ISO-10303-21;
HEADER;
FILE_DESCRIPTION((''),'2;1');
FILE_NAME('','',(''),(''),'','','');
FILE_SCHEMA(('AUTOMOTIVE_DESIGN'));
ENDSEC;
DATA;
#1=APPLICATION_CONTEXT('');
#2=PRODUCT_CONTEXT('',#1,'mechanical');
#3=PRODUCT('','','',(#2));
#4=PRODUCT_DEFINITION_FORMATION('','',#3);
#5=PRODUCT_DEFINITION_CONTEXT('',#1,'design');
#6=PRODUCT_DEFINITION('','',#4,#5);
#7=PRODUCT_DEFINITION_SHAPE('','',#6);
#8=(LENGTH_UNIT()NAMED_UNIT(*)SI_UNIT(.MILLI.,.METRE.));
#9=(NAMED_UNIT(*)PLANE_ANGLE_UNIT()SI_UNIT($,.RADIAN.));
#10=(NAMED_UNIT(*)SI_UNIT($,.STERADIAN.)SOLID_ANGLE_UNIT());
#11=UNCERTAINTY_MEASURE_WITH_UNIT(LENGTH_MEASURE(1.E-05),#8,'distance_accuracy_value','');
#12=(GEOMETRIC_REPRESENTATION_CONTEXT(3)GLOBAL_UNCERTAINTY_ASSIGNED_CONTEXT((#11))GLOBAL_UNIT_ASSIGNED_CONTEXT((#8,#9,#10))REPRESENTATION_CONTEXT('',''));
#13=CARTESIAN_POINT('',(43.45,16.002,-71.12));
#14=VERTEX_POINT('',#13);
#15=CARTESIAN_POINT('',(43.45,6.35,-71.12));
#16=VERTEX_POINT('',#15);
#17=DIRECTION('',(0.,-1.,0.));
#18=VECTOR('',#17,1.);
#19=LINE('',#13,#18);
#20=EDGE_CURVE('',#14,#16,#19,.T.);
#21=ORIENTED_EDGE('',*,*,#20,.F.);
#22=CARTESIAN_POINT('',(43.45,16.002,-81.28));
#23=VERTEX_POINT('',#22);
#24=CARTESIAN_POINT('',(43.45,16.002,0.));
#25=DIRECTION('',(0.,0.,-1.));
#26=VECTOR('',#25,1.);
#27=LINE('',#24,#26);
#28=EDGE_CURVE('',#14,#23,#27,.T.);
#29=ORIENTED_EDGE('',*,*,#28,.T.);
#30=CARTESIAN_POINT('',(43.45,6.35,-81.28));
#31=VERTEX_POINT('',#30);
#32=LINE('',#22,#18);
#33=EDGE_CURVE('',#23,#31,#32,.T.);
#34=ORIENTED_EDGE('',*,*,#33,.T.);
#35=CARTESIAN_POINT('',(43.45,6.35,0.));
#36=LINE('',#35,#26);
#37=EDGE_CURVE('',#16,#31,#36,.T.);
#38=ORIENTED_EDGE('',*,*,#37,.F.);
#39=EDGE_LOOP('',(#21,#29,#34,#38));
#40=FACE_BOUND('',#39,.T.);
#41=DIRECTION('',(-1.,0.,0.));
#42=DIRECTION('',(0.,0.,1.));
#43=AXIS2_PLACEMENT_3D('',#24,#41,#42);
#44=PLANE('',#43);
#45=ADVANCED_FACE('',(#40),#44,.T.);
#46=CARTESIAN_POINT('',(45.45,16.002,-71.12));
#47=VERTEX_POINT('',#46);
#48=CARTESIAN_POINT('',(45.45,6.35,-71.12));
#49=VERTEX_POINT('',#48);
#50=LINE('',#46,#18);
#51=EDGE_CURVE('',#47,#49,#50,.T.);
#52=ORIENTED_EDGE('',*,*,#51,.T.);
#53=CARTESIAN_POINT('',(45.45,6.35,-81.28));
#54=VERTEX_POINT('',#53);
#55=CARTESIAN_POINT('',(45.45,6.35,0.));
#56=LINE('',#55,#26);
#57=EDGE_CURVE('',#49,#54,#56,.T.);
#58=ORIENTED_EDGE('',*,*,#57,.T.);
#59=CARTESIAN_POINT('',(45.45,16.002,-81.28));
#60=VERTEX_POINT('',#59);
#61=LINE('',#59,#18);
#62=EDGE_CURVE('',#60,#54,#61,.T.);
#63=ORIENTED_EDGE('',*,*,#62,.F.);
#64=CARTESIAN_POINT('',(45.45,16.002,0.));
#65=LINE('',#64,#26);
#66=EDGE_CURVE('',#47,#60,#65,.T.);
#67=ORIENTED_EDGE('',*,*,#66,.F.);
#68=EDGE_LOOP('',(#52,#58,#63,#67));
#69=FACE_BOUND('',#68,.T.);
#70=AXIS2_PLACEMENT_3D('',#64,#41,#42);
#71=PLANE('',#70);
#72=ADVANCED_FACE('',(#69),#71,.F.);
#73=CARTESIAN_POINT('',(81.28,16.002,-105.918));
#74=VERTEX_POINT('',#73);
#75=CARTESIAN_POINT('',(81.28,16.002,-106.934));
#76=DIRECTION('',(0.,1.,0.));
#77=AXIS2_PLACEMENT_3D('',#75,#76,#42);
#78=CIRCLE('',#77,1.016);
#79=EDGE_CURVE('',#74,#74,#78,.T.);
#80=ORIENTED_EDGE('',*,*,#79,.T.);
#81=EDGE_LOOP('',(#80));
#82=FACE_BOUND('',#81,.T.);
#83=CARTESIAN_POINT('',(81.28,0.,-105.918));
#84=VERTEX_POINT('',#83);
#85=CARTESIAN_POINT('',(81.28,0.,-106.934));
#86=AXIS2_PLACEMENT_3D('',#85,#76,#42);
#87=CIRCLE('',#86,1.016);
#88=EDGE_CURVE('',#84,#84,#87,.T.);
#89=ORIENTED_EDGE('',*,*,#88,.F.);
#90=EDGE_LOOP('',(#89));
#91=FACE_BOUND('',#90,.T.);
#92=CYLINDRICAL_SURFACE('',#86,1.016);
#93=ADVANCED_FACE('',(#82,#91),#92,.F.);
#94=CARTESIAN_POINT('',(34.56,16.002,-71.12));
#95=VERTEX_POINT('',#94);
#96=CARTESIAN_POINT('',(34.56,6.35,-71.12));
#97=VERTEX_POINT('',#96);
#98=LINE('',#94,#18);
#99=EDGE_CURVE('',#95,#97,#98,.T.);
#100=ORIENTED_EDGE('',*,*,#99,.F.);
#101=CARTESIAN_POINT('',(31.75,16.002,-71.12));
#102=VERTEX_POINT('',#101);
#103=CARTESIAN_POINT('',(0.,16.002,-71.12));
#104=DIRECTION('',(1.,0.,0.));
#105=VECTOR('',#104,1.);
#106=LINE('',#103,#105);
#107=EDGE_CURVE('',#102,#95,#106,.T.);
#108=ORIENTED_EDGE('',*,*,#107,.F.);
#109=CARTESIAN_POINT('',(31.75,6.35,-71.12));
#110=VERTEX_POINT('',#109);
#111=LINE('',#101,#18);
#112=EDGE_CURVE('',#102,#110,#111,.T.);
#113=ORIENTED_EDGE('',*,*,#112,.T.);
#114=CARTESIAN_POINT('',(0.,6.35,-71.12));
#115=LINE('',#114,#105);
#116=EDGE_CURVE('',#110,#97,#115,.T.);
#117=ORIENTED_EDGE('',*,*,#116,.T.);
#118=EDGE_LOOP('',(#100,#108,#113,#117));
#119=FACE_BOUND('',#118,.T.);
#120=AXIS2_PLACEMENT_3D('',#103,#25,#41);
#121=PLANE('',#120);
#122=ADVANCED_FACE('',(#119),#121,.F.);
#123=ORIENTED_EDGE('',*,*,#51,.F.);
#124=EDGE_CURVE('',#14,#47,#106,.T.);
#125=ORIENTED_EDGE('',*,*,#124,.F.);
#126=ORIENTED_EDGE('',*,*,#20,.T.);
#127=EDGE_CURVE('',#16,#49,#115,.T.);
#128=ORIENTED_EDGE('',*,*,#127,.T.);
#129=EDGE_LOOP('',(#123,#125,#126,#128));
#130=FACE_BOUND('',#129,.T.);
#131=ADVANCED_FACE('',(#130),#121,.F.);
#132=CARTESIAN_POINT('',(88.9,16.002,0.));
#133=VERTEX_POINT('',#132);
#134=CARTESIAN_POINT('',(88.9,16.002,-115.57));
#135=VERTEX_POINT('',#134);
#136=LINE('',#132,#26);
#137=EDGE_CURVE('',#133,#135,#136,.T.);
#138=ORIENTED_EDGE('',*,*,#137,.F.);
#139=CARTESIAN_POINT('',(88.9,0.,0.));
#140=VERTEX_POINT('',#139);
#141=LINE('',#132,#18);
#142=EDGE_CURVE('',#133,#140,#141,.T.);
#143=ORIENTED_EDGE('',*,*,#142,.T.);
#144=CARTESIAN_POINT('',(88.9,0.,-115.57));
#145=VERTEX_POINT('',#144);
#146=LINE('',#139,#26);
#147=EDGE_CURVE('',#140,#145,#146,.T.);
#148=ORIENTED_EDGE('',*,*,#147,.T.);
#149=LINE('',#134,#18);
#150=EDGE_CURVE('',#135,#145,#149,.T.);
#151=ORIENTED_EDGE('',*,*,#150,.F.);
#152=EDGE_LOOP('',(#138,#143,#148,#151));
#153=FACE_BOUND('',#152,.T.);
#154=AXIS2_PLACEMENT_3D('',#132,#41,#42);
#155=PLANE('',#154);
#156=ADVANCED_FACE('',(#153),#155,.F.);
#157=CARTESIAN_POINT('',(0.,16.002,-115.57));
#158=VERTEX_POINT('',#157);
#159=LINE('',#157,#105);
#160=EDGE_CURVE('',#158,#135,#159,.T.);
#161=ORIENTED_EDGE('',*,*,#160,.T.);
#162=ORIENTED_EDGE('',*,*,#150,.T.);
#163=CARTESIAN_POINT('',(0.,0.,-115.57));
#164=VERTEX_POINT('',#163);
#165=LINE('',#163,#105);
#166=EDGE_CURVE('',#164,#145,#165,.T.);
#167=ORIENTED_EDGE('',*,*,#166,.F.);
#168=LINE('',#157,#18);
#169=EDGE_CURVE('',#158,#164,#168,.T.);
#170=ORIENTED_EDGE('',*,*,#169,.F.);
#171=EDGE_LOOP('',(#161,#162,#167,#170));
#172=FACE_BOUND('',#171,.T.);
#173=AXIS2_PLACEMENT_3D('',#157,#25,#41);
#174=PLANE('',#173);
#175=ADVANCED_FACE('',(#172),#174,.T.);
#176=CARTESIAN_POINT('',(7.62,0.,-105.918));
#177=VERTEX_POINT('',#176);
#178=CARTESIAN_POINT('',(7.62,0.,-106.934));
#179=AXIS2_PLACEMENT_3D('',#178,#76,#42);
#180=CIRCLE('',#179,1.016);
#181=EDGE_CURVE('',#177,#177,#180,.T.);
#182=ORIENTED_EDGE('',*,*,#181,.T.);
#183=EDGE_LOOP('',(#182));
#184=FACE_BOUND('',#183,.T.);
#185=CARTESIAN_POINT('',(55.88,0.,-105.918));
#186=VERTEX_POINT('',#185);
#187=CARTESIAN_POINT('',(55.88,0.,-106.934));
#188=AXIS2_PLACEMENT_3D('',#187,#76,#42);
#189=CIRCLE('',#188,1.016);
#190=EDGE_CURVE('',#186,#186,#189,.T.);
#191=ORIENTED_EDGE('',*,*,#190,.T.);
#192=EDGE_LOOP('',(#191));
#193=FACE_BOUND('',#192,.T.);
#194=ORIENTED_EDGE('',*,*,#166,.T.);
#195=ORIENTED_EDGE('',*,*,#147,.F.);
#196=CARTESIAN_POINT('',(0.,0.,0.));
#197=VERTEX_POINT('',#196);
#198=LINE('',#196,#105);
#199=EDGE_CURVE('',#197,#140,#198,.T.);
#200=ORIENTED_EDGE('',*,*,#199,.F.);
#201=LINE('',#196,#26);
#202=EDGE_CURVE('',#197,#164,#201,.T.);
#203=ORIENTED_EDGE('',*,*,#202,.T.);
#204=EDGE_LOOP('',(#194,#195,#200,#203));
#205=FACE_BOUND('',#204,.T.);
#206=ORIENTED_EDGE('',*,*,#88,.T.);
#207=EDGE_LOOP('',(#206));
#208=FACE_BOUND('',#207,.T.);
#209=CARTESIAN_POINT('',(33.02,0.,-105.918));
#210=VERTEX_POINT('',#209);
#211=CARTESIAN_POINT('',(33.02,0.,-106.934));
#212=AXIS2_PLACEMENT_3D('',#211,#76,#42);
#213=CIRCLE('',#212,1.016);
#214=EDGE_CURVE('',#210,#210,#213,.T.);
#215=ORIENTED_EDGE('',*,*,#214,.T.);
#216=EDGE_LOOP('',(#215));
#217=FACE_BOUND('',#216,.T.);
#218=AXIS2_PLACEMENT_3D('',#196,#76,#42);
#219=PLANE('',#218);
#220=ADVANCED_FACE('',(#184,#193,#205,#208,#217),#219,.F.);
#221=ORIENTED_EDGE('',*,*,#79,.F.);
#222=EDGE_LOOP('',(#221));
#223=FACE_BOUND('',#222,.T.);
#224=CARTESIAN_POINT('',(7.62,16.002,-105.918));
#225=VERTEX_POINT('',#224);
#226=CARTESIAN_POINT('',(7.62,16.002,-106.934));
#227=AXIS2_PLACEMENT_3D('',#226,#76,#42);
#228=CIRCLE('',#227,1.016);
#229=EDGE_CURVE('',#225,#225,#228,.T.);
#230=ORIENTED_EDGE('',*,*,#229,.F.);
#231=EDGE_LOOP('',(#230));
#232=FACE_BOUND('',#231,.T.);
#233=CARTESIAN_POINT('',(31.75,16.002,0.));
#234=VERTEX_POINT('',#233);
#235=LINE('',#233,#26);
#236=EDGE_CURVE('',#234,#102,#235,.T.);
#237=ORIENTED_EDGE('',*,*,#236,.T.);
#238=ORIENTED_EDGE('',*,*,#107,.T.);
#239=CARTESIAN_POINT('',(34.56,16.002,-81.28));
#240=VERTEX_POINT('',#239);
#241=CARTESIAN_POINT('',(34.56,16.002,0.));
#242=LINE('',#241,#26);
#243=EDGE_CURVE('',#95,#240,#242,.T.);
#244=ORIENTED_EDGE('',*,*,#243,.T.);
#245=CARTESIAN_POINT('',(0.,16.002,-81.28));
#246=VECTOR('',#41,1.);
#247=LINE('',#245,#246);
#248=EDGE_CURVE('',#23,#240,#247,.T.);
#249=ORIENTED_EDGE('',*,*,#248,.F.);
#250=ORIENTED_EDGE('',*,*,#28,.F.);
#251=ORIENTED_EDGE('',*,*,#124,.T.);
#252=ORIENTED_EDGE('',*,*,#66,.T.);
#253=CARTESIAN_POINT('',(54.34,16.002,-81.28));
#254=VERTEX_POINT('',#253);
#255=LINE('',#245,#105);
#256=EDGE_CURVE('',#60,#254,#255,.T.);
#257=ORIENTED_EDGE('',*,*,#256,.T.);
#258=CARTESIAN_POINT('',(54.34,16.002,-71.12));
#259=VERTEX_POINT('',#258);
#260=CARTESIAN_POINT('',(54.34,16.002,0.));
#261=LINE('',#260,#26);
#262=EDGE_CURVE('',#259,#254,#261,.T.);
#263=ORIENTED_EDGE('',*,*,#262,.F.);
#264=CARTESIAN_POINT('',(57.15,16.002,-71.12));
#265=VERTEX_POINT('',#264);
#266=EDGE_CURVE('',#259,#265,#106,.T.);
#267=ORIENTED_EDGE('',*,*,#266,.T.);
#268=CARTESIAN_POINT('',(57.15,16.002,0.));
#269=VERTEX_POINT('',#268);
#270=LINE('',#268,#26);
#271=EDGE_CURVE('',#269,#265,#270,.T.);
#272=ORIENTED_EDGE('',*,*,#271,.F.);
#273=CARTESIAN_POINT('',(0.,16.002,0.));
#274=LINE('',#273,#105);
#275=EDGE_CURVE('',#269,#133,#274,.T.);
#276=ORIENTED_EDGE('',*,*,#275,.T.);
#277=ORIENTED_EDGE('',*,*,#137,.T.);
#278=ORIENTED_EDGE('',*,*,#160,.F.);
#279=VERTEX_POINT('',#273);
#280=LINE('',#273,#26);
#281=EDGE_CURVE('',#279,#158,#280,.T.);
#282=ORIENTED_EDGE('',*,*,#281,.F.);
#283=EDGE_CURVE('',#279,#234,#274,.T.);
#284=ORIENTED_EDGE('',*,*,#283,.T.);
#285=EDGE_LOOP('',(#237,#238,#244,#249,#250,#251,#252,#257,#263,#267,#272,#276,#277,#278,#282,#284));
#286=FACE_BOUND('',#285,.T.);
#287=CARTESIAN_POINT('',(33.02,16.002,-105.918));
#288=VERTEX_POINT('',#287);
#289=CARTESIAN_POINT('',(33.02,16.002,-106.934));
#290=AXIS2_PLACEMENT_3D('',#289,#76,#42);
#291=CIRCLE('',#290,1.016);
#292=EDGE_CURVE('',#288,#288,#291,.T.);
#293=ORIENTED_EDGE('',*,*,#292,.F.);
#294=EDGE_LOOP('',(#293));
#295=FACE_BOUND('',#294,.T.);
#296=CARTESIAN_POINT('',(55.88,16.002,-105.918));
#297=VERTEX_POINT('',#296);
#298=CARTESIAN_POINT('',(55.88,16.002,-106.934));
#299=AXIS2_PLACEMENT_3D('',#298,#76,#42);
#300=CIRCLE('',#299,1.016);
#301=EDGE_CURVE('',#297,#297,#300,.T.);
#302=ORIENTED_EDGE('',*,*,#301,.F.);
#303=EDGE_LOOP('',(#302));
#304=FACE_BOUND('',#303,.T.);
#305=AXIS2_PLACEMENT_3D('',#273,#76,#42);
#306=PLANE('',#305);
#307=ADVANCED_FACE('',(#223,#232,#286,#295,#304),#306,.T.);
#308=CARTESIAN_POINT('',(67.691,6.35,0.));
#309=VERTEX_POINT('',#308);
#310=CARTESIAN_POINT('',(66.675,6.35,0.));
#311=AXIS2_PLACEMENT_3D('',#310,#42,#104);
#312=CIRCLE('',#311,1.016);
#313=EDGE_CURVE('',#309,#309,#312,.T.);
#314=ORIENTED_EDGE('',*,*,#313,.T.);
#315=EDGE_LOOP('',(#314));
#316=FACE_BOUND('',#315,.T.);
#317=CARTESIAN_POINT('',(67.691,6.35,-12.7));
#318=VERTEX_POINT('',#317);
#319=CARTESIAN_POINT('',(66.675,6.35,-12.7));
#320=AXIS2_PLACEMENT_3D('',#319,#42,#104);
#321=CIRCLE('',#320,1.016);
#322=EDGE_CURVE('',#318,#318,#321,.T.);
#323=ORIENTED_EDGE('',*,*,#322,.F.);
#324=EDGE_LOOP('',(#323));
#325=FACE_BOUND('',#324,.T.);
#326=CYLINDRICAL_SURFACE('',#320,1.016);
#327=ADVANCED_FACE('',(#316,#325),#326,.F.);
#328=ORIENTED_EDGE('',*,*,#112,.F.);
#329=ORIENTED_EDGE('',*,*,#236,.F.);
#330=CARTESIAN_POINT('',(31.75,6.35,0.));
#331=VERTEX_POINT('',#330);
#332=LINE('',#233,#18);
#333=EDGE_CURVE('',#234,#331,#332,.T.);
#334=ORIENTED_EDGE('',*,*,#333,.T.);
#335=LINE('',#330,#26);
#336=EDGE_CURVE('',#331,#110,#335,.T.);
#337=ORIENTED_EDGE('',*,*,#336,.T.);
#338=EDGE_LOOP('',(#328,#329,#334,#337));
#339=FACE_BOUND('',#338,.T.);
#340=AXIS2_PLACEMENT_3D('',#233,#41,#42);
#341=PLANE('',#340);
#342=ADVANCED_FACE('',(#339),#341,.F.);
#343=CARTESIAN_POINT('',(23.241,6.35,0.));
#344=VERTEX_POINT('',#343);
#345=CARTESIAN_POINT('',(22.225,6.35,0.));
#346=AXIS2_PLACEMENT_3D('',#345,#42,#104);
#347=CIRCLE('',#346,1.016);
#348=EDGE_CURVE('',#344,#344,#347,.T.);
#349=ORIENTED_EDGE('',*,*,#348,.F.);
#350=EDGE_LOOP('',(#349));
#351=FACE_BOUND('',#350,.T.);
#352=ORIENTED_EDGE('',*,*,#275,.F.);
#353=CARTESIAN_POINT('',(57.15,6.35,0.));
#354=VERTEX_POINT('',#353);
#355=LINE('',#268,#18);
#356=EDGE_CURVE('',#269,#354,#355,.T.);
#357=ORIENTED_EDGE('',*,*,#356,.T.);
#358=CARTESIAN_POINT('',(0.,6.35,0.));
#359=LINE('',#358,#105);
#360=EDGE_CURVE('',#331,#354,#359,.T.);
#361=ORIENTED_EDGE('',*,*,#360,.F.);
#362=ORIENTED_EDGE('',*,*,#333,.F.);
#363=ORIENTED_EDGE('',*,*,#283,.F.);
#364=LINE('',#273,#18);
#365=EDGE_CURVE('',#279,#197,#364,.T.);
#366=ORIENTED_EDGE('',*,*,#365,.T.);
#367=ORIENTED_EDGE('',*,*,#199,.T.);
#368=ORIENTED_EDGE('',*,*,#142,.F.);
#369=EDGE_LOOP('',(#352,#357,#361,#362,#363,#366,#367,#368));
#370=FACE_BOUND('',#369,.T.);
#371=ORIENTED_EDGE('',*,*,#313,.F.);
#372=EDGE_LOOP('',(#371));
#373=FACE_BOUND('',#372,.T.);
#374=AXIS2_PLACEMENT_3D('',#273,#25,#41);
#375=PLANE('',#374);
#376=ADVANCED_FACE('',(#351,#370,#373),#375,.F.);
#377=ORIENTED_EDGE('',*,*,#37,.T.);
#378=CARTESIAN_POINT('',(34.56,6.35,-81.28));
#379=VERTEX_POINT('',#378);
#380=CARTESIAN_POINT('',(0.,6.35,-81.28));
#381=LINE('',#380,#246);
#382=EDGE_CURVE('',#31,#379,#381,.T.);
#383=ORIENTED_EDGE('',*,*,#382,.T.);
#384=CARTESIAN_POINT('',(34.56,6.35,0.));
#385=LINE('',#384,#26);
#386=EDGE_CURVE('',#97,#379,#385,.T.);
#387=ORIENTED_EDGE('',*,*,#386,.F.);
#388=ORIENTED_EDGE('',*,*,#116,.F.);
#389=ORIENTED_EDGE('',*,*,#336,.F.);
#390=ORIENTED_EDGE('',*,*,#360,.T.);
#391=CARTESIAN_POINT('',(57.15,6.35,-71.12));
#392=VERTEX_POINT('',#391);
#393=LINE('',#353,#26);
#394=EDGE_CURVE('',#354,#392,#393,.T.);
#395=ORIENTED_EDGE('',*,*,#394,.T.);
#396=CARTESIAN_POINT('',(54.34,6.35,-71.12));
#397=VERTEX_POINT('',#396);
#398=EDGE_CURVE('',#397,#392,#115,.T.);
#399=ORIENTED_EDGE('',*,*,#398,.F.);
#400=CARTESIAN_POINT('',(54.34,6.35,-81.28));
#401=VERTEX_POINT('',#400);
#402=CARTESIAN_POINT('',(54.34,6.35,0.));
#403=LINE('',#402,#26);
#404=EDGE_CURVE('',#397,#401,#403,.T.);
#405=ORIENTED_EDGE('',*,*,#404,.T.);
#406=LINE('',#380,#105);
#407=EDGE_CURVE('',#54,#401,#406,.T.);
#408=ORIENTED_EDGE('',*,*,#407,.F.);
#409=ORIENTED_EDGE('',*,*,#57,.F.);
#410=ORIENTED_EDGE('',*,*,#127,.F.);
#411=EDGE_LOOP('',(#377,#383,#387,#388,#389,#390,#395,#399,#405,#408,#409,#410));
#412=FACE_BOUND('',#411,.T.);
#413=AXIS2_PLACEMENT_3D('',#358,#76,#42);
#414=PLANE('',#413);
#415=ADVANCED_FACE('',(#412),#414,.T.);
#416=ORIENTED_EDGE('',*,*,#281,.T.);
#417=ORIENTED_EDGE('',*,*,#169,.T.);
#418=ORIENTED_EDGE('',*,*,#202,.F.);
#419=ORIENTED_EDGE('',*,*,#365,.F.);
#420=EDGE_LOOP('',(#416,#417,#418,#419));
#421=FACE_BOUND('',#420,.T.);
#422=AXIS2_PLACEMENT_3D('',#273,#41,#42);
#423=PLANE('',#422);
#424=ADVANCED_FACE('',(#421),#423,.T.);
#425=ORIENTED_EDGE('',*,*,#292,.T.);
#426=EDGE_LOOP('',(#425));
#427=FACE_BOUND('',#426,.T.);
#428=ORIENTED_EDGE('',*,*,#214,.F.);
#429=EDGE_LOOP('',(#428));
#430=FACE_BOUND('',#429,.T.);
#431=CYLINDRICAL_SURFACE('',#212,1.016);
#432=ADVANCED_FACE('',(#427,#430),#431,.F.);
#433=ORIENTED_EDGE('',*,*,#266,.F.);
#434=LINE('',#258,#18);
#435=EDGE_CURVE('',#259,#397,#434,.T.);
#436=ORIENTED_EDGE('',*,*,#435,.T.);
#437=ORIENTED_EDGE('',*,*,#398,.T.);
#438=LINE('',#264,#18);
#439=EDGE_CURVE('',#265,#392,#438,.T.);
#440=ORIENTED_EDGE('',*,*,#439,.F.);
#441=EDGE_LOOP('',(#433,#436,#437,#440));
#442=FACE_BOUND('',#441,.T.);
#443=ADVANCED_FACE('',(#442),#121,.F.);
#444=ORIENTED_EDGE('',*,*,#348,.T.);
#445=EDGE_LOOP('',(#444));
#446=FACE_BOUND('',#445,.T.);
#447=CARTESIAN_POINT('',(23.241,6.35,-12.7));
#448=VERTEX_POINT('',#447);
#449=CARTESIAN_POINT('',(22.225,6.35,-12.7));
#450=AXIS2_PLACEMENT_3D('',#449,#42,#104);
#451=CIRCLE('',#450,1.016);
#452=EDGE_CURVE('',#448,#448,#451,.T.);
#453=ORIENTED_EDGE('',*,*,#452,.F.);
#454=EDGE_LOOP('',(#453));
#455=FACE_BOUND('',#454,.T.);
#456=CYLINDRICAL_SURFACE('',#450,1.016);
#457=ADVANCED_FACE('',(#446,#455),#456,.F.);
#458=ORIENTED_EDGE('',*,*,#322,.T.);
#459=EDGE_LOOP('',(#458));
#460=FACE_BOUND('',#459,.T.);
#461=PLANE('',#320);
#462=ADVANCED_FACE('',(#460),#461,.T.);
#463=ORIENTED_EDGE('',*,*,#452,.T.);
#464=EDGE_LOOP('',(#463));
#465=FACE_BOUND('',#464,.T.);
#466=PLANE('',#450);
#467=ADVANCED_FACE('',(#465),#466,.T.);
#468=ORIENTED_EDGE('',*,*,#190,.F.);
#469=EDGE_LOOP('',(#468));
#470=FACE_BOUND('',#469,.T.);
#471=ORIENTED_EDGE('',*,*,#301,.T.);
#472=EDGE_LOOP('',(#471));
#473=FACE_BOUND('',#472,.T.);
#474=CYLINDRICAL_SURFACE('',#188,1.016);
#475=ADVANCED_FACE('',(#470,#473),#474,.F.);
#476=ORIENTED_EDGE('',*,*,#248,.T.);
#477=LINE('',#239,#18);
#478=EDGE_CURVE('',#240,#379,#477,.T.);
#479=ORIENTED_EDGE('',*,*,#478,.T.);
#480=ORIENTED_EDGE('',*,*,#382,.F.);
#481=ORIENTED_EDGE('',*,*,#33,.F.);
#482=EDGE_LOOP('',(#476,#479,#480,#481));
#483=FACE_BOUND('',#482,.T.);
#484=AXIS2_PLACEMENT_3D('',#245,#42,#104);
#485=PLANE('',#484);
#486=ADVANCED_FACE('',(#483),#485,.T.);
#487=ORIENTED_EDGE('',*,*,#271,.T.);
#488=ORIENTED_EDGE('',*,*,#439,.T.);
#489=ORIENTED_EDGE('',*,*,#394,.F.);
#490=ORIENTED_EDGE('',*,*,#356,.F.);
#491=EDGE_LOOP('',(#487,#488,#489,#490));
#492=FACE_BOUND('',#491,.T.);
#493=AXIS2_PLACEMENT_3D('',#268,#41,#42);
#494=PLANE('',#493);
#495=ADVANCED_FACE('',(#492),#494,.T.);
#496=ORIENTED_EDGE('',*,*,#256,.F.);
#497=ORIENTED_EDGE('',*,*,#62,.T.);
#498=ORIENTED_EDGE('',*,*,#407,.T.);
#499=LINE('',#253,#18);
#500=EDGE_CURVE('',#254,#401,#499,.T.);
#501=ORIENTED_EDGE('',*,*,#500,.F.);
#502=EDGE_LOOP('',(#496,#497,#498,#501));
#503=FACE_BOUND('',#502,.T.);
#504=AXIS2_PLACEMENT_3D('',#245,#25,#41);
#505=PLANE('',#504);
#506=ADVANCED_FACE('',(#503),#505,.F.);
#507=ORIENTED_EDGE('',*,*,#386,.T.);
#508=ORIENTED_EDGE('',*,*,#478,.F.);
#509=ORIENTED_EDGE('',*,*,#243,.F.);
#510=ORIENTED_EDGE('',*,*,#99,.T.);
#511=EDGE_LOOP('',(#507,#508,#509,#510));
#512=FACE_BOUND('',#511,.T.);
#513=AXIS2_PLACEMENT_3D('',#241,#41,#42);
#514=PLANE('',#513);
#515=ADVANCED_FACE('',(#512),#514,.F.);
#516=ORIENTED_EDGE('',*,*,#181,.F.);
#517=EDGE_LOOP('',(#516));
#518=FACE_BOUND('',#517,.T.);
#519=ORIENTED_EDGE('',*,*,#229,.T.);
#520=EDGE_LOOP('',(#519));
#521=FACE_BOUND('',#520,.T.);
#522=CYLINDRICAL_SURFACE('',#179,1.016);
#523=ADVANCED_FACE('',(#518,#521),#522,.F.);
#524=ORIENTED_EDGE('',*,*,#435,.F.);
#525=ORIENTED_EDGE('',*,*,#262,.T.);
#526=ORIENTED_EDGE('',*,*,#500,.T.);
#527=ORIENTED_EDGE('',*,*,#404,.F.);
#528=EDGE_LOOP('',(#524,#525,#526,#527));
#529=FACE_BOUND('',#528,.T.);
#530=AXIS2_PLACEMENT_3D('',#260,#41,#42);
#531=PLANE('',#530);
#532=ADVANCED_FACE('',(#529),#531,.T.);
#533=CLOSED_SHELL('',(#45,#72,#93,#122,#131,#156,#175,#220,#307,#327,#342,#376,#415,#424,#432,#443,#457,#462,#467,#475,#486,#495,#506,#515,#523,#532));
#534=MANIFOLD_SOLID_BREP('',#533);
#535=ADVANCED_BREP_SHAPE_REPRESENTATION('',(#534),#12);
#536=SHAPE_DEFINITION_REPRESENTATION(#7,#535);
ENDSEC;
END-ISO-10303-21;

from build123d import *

# Parameters (mm, degrees)
BOSS_EXTRUDE2_DEPTH = 16.002
BOSS_EXTRUDE3_DEPTH = 6.35
SKETCH1_7_W         = 8.89
SKETCH1_7_H         = 10.16
BOSS_EXTRUDE4_DEPTH = 6.35
SKETCH4_R           = 1.016
CUT_EXTRUDE2_DEPTH  = 147.682306036
SKETCH5_R           = 1.016
CUT_EXTRUDE3_DEPTH  = 12.7


with BuildPart() as part:
    # Sketch1 → Boss-Extrude2 (new body)
    with BuildSketch(Plane(origin=(0, 0, 0), x_dir=(1, 0, 0), z_dir=(0, 1, 0))):
        Polygon((0, 115.57), (0, 0), (31.75, 0), (31.75, 71.12), (34.56, 71.12), (34.56, 81.28), (43.45, 81.28), (43.45, 71.12), (45.45, 71.12), (45.45, 81.28), (54.34, 81.28), (54.34, 71.12), (57.15, 71.12), (57.15, 0), (88.9, 0), (88.9, 115.57), align=None)
    extrude(amount=BOSS_EXTRUDE2_DEPTH)



with BuildPart() as body_2:
    # Sketch1<6> → Boss-Extrude3 (new body)
    with BuildSketch(Plane(origin=(0, 0, 0), x_dir=(1, 0, 0), z_dir=(0, 1, 0))):
        Polygon((31.75, 71.12), (31.75, 0), (57.15, 0), (57.15, 71.12), (54.34, 71.12), (45.45, 71.12), (43.45, 71.12), (34.56, 71.12), align=None)
    extrude(amount=BOSS_EXTRUDE3_DEPTH)


with BuildPart() as part_1:
    add(part.part)

    add(body_2.part)  # Boss-Extrude4 merges body 2
    # Sketch1<7> → Boss-Extrude4 (add)
    with BuildSketch(Plane(origin=(0, 0, 0), x_dir=(1, 0, 0), z_dir=(0, 1, 0))):
        with Locations((39.005, 76.2)):
            Rectangle(SKETCH1_7_W, SKETCH1_7_H)
        with Locations((49.895, 76.2)):
            Rectangle(SKETCH1_7_W, SKETCH1_7_H)
    extrude(amount=BOSS_EXTRUDE4_DEPTH)

    # Sketch4 → Cut-Extrude2 (cut, through all)
    with BuildSketch(Plane(origin=(0, 16.002, 0), x_dir=(1, 0, 0), z_dir=(0, 1, 0))):
        with Locations((7.62, 106.934)):
            Circle(SKETCH4_R)
        with Locations((33.02, 106.934)):
            Circle(SKETCH4_R)
        with Locations((55.88, 106.934)):
            Circle(SKETCH4_R)
        with Locations((81.28, 106.934)):
            Circle(SKETCH4_R)
    extrude(amount=-CUT_EXTRUDE2_DEPTH, mode=Mode.SUBTRACT)

    # Sketch5 → Cut-Extrude3 (cut)
    with BuildSketch(Plane.XY):
        with Locations((22.225, 6.35)):
            Circle(SKETCH5_R)
        with Locations((66.675, 6.35)):
            Circle(SKETCH5_R)
    extrude(amount=-CUT_EXTRUDE3_DEPTH, mode=Mode.SUBTRACT)


solid = part_1.part
